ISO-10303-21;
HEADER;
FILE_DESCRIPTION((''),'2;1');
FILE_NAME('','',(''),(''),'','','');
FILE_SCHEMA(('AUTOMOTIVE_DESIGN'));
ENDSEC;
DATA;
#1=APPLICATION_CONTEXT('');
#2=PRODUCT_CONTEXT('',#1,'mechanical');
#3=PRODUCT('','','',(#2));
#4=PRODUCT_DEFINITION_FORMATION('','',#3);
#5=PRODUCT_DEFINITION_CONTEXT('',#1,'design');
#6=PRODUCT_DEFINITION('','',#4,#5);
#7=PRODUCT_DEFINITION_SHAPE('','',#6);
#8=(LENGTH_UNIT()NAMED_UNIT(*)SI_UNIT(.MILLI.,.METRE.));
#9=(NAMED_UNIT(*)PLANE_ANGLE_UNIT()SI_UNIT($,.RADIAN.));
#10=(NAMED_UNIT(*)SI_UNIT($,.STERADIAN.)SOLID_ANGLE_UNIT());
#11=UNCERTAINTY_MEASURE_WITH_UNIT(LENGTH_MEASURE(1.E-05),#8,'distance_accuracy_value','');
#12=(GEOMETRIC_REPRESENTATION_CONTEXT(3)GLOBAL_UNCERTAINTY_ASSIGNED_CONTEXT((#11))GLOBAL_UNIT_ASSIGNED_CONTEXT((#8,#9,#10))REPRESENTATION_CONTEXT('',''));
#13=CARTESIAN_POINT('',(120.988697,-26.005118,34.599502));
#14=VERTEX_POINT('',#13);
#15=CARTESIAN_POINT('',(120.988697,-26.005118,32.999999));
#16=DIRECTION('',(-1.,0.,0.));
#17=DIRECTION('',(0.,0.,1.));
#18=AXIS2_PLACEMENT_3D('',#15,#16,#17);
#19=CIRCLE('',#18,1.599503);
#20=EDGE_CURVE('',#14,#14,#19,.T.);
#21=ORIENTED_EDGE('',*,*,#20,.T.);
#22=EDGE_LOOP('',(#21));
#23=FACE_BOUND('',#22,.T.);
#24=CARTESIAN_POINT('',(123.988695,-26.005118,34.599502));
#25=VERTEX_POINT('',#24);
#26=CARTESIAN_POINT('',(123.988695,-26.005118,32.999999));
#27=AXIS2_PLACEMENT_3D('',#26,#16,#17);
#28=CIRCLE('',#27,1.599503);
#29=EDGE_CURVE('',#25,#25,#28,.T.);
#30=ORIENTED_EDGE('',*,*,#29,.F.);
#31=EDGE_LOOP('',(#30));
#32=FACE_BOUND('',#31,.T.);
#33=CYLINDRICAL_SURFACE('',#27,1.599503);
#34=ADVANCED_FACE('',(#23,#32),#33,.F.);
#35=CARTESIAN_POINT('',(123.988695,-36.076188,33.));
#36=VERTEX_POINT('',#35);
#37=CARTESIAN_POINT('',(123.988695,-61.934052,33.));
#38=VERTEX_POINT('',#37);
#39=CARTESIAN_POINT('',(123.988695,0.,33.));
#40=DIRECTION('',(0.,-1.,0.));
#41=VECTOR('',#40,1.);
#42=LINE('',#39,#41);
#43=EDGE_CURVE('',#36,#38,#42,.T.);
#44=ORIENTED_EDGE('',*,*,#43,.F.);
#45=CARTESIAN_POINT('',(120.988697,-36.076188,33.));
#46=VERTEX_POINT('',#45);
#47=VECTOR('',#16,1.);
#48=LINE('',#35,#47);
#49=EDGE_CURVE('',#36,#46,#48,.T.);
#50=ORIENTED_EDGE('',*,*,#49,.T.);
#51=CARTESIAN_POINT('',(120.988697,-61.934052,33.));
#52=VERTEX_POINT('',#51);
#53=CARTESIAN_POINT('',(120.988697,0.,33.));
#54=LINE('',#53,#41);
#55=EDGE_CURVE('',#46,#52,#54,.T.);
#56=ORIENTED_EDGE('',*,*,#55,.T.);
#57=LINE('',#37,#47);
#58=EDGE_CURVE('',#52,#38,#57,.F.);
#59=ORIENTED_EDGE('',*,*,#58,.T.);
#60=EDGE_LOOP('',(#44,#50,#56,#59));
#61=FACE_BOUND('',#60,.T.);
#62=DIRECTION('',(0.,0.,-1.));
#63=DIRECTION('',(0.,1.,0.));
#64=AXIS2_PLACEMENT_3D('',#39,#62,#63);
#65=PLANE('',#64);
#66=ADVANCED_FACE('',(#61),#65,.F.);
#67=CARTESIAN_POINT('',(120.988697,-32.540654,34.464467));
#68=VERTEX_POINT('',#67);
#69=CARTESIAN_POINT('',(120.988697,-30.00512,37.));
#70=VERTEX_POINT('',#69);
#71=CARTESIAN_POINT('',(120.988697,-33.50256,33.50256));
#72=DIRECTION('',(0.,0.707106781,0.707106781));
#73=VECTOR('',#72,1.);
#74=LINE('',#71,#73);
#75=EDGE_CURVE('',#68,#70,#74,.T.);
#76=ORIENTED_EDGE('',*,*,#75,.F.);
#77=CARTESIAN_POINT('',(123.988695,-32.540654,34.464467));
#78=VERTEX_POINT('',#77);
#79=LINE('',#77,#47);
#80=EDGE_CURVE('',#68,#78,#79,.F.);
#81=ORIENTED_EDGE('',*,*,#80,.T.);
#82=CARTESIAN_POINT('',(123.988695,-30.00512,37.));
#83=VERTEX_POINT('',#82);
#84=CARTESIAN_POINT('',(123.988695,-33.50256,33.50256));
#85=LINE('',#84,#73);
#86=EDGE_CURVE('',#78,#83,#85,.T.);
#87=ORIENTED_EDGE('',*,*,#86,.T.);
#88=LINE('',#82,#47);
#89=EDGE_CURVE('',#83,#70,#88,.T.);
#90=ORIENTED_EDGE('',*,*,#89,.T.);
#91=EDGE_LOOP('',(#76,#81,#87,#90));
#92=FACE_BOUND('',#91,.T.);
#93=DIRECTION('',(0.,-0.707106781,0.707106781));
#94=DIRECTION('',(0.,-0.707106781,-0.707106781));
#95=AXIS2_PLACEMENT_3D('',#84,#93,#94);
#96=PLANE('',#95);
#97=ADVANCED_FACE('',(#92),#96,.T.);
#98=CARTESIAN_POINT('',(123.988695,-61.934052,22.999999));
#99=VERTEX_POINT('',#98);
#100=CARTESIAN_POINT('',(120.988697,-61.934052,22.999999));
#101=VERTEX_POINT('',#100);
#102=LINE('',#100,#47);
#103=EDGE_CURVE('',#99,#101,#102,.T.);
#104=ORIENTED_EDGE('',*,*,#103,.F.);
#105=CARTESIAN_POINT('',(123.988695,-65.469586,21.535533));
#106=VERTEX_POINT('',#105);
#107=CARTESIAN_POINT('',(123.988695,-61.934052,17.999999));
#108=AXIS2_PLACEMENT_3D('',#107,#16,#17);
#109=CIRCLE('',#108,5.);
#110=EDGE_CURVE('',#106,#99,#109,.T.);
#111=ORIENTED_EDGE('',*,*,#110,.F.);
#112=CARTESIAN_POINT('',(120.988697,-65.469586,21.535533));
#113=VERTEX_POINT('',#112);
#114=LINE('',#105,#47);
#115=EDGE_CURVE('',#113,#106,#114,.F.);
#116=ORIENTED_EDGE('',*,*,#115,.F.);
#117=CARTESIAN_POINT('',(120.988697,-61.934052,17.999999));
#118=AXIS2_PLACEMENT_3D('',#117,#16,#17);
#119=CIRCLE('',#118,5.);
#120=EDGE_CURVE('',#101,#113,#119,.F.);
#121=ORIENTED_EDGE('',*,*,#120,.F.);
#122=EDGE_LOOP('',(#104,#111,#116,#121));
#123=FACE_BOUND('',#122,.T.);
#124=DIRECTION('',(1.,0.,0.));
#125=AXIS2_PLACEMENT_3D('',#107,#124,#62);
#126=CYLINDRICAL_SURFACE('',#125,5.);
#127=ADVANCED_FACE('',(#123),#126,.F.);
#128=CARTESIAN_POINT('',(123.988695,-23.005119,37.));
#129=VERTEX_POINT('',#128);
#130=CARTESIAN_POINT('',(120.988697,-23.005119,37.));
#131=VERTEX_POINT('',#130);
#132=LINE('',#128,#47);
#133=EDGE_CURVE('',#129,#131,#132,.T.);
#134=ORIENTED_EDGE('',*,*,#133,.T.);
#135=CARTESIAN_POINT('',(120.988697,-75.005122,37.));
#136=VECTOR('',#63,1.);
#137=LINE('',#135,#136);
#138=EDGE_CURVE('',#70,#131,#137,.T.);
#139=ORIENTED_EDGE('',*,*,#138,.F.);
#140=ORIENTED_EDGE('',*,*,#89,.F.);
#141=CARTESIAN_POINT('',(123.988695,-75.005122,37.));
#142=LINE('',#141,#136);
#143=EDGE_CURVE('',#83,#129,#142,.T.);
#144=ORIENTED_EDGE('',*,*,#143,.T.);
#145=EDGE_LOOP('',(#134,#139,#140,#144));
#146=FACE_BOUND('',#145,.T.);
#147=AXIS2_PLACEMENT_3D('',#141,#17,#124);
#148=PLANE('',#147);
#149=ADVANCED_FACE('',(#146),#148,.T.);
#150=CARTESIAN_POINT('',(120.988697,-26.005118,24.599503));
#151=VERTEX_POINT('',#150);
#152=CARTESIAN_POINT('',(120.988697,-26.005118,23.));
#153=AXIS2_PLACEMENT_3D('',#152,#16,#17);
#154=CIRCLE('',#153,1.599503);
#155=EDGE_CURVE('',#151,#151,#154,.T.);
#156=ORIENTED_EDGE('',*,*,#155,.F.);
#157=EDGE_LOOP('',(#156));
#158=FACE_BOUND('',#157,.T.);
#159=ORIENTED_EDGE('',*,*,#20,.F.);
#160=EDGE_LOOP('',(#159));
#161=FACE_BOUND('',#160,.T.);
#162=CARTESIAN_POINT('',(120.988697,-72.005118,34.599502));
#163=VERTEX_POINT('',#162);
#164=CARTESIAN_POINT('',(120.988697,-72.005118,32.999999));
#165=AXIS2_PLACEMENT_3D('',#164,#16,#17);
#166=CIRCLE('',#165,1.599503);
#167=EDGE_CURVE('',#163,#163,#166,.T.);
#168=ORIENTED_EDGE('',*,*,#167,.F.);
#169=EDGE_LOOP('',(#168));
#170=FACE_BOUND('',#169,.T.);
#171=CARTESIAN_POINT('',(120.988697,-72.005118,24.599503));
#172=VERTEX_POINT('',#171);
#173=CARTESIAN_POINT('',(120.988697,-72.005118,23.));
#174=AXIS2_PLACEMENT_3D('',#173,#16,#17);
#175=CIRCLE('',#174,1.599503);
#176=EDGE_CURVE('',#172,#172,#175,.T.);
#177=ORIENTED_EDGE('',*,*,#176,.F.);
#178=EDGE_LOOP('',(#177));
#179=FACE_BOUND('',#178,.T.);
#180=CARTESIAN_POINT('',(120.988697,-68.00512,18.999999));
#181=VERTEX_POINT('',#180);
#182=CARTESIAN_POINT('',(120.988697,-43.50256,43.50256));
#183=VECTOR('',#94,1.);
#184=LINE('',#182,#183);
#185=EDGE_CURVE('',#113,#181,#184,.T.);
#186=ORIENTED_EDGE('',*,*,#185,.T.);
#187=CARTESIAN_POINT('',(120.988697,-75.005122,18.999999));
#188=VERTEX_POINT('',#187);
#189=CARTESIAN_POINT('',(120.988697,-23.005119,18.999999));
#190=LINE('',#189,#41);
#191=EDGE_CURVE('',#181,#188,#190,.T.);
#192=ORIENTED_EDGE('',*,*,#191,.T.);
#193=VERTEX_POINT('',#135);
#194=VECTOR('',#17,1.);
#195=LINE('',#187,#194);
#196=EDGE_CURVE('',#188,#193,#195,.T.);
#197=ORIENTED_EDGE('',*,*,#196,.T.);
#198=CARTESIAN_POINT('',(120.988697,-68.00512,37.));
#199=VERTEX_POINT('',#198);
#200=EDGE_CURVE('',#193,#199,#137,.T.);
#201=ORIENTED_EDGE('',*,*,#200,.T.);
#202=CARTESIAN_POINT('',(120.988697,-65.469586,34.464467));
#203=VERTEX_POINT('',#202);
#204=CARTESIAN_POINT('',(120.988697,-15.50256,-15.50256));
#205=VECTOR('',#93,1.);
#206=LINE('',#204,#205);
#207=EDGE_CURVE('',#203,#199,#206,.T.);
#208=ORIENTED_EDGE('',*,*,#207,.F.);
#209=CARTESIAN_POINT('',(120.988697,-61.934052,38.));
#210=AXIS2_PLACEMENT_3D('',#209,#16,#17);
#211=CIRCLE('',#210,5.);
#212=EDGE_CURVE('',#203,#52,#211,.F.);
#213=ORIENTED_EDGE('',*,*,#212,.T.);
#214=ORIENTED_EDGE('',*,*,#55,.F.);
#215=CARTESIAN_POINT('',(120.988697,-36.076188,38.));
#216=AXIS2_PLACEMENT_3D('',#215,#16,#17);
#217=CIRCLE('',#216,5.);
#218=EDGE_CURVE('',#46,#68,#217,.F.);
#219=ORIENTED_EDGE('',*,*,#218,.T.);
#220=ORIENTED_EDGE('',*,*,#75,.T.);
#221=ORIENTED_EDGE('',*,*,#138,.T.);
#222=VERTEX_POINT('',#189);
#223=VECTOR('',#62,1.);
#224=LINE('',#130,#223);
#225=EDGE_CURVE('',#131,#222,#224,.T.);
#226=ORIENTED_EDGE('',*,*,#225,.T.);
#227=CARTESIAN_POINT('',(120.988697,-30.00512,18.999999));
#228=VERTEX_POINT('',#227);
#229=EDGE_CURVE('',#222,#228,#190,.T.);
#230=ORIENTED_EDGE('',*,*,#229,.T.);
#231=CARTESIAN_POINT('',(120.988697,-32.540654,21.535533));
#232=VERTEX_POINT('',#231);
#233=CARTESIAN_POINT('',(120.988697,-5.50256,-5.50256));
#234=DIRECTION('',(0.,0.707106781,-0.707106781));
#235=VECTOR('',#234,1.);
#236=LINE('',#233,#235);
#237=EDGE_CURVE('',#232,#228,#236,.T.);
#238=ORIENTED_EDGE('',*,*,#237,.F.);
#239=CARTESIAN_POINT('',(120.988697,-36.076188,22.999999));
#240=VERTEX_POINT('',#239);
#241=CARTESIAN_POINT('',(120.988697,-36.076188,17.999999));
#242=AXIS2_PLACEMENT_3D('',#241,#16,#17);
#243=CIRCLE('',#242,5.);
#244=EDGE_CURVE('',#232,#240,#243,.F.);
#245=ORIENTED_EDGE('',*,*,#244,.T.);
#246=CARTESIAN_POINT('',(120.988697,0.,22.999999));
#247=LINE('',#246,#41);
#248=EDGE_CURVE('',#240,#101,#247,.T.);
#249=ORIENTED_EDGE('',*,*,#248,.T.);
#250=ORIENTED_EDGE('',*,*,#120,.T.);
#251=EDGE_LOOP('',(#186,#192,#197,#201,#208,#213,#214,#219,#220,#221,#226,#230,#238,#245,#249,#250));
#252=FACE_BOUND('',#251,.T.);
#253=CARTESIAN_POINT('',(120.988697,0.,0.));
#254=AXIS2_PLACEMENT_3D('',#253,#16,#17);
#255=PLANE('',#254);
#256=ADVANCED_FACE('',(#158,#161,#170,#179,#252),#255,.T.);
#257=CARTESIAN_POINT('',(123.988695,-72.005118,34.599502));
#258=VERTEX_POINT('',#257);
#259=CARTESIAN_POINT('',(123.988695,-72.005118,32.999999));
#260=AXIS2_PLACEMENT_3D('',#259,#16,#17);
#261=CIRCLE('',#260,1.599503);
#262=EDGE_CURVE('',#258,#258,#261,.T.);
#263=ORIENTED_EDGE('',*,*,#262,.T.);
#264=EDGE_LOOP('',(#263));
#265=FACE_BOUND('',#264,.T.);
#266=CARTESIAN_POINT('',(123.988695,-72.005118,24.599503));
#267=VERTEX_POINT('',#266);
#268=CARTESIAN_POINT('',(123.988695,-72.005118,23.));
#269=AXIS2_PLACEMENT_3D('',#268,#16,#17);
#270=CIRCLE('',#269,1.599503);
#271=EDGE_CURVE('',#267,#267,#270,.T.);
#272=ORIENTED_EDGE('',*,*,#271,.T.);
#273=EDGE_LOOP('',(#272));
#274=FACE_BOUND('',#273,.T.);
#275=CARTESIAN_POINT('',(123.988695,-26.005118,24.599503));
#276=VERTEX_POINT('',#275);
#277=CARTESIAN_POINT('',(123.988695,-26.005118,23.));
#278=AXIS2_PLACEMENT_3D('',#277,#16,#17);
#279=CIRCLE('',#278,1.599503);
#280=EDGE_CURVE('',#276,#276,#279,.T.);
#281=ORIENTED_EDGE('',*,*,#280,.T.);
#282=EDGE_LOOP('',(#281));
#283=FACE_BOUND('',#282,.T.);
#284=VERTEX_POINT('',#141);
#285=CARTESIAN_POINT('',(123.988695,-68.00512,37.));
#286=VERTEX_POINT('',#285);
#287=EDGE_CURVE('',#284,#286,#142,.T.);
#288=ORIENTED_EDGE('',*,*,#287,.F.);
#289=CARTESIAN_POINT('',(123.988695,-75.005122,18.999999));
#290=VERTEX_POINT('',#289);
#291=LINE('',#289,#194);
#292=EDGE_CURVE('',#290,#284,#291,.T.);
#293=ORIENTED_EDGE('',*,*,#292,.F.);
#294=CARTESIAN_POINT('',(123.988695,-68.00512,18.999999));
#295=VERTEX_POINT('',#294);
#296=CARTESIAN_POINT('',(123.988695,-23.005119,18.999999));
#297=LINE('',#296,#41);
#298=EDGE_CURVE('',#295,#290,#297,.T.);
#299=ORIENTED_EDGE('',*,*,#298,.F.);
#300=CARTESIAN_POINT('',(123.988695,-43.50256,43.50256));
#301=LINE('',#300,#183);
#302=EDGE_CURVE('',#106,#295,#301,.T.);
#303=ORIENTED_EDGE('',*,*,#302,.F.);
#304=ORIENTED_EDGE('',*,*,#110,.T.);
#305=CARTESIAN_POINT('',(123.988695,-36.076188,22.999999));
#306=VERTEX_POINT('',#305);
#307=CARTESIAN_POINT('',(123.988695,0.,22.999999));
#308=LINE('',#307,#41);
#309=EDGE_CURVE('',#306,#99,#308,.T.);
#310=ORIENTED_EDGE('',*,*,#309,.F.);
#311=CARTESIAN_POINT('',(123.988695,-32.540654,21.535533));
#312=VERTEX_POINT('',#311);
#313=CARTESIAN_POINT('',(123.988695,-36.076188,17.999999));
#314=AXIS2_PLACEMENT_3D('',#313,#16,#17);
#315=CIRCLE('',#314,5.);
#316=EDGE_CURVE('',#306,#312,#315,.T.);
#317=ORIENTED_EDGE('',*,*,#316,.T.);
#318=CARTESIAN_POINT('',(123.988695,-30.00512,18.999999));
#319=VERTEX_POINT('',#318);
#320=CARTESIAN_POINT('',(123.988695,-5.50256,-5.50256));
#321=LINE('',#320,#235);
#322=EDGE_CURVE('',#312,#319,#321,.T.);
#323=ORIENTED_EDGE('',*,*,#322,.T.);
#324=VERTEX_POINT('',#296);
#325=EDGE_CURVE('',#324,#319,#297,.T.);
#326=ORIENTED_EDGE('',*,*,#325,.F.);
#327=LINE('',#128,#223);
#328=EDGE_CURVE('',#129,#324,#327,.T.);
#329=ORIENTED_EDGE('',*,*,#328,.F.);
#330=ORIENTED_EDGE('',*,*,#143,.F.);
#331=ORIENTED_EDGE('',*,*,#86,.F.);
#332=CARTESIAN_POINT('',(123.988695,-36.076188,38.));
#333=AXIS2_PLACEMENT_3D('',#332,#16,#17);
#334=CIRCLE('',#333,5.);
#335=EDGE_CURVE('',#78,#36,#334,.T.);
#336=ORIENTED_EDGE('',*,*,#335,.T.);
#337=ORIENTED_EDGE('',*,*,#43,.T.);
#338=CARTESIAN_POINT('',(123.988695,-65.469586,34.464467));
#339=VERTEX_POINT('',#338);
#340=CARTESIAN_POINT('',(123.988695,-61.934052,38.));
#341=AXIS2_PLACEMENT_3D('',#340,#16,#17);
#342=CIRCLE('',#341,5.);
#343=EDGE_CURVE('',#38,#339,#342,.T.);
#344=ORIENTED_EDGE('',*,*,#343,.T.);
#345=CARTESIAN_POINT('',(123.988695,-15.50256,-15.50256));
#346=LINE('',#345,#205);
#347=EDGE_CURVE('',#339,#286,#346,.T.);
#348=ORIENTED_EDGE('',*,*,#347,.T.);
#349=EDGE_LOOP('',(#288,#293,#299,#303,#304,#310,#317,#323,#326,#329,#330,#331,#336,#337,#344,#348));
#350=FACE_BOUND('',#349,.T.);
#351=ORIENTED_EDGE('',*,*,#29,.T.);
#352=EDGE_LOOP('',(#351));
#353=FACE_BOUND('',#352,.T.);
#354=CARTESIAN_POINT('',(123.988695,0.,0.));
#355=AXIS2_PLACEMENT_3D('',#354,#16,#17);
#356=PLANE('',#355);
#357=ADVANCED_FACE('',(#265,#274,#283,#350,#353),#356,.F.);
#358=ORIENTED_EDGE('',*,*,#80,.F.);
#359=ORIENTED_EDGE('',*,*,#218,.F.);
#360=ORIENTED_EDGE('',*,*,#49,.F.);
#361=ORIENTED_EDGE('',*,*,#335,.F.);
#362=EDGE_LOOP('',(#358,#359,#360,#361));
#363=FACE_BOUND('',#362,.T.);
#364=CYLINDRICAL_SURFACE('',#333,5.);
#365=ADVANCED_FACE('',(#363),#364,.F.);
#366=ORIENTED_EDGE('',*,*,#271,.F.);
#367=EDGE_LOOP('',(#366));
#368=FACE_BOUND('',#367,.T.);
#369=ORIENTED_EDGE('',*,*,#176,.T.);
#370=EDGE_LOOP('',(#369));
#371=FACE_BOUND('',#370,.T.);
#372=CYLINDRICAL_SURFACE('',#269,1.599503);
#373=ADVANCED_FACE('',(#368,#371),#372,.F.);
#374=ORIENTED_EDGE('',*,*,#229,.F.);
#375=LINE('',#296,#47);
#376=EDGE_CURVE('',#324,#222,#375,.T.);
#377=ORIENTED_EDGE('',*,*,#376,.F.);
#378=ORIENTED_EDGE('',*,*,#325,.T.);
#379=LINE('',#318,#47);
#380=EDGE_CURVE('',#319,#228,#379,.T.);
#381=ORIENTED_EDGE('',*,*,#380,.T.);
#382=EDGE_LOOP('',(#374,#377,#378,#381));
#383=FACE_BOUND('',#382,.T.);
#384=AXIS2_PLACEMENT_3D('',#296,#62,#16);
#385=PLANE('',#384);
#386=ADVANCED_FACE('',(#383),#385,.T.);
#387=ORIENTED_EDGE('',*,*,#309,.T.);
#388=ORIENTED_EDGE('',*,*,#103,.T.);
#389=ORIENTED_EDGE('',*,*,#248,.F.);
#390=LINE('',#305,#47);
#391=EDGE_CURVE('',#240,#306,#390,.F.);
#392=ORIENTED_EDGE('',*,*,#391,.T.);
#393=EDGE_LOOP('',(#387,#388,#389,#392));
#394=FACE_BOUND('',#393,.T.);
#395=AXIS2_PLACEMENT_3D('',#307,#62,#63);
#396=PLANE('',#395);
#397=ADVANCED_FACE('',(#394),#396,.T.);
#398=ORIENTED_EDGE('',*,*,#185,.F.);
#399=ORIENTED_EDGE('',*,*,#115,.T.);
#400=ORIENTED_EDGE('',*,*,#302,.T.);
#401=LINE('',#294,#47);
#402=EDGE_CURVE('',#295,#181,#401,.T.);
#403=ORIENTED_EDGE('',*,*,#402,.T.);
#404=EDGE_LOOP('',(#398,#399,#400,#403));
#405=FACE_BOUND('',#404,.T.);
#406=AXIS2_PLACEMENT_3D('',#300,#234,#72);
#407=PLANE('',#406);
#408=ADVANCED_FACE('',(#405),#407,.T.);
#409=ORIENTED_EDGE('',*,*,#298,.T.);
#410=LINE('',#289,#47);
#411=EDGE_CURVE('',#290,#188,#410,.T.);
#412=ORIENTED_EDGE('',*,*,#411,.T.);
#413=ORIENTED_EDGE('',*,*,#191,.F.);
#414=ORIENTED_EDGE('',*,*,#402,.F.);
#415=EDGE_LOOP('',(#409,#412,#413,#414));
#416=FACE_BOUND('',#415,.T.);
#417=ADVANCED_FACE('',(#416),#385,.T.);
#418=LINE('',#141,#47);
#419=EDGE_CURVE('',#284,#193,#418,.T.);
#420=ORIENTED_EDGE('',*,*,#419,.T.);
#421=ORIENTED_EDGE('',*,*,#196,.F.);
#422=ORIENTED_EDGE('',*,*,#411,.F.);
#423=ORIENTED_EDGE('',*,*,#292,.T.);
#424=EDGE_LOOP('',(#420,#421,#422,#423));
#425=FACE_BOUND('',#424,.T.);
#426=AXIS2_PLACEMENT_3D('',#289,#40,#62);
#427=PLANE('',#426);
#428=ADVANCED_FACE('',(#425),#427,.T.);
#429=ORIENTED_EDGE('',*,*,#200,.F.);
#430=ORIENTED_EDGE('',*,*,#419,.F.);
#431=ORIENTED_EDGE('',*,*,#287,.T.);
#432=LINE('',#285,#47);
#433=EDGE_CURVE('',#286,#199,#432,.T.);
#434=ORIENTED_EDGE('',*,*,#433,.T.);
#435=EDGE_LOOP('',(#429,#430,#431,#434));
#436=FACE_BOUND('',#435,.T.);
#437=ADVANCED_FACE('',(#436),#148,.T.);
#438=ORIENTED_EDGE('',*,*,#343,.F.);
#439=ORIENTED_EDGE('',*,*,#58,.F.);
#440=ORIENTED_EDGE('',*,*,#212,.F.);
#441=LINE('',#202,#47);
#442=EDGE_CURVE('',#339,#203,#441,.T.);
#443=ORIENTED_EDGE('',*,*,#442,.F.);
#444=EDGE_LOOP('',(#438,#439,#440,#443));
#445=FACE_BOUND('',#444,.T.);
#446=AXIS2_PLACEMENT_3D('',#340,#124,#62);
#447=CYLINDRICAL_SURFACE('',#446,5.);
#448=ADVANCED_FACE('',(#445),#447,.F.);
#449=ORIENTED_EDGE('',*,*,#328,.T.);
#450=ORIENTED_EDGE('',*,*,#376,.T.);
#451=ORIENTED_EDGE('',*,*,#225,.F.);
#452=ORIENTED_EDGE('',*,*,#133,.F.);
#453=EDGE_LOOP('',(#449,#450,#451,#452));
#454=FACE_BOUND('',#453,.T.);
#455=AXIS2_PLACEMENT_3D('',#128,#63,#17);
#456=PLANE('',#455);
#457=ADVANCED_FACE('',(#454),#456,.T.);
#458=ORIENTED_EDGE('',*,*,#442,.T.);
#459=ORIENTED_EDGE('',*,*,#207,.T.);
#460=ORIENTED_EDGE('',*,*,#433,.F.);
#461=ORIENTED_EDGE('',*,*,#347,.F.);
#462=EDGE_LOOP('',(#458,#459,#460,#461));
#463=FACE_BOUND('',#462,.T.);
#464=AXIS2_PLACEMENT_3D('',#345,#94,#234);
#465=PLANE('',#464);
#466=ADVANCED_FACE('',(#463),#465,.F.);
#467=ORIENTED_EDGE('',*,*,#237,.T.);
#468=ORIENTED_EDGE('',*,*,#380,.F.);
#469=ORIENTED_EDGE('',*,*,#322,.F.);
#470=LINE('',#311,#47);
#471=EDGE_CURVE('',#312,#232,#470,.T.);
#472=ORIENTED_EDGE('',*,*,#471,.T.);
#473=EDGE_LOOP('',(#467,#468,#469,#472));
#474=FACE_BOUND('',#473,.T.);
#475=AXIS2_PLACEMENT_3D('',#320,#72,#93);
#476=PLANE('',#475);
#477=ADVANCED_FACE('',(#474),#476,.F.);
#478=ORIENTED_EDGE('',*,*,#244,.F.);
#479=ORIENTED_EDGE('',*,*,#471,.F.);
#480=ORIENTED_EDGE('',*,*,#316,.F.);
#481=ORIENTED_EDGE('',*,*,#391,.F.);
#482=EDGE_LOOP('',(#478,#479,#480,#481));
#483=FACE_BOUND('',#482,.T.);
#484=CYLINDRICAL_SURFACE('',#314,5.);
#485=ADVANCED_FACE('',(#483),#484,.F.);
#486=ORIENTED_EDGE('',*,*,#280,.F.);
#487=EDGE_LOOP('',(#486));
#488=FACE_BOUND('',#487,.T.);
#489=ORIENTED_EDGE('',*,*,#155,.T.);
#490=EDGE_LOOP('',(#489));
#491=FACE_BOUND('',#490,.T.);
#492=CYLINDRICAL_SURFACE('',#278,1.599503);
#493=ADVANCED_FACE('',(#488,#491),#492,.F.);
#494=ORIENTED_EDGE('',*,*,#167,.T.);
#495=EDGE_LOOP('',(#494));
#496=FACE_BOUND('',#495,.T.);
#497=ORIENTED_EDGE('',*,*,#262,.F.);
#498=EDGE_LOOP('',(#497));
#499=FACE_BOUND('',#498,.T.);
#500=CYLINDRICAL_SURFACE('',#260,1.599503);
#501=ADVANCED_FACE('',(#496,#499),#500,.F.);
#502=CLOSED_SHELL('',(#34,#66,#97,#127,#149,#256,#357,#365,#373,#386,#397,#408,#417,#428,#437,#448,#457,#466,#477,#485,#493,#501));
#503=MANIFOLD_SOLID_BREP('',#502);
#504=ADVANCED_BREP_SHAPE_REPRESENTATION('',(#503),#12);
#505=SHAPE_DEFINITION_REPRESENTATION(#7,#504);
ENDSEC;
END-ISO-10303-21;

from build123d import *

# Parameters (mm, degrees)
SKETCH1_W           = 52.000002935
SKETCH1_H           = 18.000001088
SKETCH1_R           = 1.599502817
BOSS_EXTRUDE1_DEPTH = 2.999998629
SKETCH2_W           = 4
SKETCH2_H           = 30
CUT_EXTRUDE1_DEPTH  = 84.68851942
FILLET1_R           = 5


with BuildPart() as part:
    # Sketch1 → Boss-Extrude1 (new body)
    with BuildSketch(Plane(origin=(120.988696814, 0, 0), x_dir=(0, -1, 0), z_dir=(-1, 0, 0))):
        with Locations((49.005120062, 27.999999933)):
            Rectangle(SKETCH1_W, SKETCH1_H)
        with Locations(Location((26.005118371, 32.999999236, 0), (0, 0, 90))):
            Circle(SKETCH1_R, mode=Mode.SUBTRACT)
        with Locations(Location((26.005118371, 23.000000115, 0), (0, 0, 90))):
            Circle(SKETCH1_R, mode=Mode.SUBTRACT)
        with Locations(Location((72.005118202, 32.999999236, 0), (0, 0, 90))):
            Circle(SKETCH1_R, mode=Mode.SUBTRACT)
        with Locations(Location((72.005118202, 23.000000115, 0), (0, 0, 90))):
            Circle(SKETCH1_R, mode=Mode.SUBTRACT)
    extrude(amount=-BOSS_EXTRUDE1_DEPTH)

    # Sketch2 → Cut-Extrude1 (cut, through all)
    with BuildSketch(Plane.ZY.offset(-120.988696814)):
        with Locations((35.000000477, -49.005120061)):
            Rectangle(SKETCH2_W, SKETCH2_H)
        Polygon((33.000000477, -34.005120061), (37.000000477, -34.005120061), (37.000000477, -30.005120061), align=None)
        Polygon((22.999999389, -34.005120061), (18.999999389, -30.005120061), (18.999999389, -34.005120061), align=None)
        with Locations((20.999999389, -49.005120061)):
            Rectangle(SKETCH2_W, SKETCH2_H)
        Polygon((22.999999389, -64.005120061), (18.999999389, -64.005120061), (18.999999389, -68.005120061), align=None)
        Polygon((37.000000477, -68.005120061), (37.000000477, -64.005120061), (33.000000477, -64.005120061), align=None)
    extrude(amount=-CUT_EXTRUDE1_DEPTH, mode=Mode.SUBTRACT)

    # Fillet1
    fillet1_edges = [part.edges().sort_by_distance(p)[0] for p in [
        (122.488696128, -34.005120061, 22.999999389),
        (122.488696128, -64.005120061, 22.999999389),
        (122.488696128, -64.005120061, 33.000000477),
        (122.488696128, -34.005120061, 33.000000477),
    ]]
    fillet(fillet1_edges, radius=FILLET1_R)


solid = part.part
